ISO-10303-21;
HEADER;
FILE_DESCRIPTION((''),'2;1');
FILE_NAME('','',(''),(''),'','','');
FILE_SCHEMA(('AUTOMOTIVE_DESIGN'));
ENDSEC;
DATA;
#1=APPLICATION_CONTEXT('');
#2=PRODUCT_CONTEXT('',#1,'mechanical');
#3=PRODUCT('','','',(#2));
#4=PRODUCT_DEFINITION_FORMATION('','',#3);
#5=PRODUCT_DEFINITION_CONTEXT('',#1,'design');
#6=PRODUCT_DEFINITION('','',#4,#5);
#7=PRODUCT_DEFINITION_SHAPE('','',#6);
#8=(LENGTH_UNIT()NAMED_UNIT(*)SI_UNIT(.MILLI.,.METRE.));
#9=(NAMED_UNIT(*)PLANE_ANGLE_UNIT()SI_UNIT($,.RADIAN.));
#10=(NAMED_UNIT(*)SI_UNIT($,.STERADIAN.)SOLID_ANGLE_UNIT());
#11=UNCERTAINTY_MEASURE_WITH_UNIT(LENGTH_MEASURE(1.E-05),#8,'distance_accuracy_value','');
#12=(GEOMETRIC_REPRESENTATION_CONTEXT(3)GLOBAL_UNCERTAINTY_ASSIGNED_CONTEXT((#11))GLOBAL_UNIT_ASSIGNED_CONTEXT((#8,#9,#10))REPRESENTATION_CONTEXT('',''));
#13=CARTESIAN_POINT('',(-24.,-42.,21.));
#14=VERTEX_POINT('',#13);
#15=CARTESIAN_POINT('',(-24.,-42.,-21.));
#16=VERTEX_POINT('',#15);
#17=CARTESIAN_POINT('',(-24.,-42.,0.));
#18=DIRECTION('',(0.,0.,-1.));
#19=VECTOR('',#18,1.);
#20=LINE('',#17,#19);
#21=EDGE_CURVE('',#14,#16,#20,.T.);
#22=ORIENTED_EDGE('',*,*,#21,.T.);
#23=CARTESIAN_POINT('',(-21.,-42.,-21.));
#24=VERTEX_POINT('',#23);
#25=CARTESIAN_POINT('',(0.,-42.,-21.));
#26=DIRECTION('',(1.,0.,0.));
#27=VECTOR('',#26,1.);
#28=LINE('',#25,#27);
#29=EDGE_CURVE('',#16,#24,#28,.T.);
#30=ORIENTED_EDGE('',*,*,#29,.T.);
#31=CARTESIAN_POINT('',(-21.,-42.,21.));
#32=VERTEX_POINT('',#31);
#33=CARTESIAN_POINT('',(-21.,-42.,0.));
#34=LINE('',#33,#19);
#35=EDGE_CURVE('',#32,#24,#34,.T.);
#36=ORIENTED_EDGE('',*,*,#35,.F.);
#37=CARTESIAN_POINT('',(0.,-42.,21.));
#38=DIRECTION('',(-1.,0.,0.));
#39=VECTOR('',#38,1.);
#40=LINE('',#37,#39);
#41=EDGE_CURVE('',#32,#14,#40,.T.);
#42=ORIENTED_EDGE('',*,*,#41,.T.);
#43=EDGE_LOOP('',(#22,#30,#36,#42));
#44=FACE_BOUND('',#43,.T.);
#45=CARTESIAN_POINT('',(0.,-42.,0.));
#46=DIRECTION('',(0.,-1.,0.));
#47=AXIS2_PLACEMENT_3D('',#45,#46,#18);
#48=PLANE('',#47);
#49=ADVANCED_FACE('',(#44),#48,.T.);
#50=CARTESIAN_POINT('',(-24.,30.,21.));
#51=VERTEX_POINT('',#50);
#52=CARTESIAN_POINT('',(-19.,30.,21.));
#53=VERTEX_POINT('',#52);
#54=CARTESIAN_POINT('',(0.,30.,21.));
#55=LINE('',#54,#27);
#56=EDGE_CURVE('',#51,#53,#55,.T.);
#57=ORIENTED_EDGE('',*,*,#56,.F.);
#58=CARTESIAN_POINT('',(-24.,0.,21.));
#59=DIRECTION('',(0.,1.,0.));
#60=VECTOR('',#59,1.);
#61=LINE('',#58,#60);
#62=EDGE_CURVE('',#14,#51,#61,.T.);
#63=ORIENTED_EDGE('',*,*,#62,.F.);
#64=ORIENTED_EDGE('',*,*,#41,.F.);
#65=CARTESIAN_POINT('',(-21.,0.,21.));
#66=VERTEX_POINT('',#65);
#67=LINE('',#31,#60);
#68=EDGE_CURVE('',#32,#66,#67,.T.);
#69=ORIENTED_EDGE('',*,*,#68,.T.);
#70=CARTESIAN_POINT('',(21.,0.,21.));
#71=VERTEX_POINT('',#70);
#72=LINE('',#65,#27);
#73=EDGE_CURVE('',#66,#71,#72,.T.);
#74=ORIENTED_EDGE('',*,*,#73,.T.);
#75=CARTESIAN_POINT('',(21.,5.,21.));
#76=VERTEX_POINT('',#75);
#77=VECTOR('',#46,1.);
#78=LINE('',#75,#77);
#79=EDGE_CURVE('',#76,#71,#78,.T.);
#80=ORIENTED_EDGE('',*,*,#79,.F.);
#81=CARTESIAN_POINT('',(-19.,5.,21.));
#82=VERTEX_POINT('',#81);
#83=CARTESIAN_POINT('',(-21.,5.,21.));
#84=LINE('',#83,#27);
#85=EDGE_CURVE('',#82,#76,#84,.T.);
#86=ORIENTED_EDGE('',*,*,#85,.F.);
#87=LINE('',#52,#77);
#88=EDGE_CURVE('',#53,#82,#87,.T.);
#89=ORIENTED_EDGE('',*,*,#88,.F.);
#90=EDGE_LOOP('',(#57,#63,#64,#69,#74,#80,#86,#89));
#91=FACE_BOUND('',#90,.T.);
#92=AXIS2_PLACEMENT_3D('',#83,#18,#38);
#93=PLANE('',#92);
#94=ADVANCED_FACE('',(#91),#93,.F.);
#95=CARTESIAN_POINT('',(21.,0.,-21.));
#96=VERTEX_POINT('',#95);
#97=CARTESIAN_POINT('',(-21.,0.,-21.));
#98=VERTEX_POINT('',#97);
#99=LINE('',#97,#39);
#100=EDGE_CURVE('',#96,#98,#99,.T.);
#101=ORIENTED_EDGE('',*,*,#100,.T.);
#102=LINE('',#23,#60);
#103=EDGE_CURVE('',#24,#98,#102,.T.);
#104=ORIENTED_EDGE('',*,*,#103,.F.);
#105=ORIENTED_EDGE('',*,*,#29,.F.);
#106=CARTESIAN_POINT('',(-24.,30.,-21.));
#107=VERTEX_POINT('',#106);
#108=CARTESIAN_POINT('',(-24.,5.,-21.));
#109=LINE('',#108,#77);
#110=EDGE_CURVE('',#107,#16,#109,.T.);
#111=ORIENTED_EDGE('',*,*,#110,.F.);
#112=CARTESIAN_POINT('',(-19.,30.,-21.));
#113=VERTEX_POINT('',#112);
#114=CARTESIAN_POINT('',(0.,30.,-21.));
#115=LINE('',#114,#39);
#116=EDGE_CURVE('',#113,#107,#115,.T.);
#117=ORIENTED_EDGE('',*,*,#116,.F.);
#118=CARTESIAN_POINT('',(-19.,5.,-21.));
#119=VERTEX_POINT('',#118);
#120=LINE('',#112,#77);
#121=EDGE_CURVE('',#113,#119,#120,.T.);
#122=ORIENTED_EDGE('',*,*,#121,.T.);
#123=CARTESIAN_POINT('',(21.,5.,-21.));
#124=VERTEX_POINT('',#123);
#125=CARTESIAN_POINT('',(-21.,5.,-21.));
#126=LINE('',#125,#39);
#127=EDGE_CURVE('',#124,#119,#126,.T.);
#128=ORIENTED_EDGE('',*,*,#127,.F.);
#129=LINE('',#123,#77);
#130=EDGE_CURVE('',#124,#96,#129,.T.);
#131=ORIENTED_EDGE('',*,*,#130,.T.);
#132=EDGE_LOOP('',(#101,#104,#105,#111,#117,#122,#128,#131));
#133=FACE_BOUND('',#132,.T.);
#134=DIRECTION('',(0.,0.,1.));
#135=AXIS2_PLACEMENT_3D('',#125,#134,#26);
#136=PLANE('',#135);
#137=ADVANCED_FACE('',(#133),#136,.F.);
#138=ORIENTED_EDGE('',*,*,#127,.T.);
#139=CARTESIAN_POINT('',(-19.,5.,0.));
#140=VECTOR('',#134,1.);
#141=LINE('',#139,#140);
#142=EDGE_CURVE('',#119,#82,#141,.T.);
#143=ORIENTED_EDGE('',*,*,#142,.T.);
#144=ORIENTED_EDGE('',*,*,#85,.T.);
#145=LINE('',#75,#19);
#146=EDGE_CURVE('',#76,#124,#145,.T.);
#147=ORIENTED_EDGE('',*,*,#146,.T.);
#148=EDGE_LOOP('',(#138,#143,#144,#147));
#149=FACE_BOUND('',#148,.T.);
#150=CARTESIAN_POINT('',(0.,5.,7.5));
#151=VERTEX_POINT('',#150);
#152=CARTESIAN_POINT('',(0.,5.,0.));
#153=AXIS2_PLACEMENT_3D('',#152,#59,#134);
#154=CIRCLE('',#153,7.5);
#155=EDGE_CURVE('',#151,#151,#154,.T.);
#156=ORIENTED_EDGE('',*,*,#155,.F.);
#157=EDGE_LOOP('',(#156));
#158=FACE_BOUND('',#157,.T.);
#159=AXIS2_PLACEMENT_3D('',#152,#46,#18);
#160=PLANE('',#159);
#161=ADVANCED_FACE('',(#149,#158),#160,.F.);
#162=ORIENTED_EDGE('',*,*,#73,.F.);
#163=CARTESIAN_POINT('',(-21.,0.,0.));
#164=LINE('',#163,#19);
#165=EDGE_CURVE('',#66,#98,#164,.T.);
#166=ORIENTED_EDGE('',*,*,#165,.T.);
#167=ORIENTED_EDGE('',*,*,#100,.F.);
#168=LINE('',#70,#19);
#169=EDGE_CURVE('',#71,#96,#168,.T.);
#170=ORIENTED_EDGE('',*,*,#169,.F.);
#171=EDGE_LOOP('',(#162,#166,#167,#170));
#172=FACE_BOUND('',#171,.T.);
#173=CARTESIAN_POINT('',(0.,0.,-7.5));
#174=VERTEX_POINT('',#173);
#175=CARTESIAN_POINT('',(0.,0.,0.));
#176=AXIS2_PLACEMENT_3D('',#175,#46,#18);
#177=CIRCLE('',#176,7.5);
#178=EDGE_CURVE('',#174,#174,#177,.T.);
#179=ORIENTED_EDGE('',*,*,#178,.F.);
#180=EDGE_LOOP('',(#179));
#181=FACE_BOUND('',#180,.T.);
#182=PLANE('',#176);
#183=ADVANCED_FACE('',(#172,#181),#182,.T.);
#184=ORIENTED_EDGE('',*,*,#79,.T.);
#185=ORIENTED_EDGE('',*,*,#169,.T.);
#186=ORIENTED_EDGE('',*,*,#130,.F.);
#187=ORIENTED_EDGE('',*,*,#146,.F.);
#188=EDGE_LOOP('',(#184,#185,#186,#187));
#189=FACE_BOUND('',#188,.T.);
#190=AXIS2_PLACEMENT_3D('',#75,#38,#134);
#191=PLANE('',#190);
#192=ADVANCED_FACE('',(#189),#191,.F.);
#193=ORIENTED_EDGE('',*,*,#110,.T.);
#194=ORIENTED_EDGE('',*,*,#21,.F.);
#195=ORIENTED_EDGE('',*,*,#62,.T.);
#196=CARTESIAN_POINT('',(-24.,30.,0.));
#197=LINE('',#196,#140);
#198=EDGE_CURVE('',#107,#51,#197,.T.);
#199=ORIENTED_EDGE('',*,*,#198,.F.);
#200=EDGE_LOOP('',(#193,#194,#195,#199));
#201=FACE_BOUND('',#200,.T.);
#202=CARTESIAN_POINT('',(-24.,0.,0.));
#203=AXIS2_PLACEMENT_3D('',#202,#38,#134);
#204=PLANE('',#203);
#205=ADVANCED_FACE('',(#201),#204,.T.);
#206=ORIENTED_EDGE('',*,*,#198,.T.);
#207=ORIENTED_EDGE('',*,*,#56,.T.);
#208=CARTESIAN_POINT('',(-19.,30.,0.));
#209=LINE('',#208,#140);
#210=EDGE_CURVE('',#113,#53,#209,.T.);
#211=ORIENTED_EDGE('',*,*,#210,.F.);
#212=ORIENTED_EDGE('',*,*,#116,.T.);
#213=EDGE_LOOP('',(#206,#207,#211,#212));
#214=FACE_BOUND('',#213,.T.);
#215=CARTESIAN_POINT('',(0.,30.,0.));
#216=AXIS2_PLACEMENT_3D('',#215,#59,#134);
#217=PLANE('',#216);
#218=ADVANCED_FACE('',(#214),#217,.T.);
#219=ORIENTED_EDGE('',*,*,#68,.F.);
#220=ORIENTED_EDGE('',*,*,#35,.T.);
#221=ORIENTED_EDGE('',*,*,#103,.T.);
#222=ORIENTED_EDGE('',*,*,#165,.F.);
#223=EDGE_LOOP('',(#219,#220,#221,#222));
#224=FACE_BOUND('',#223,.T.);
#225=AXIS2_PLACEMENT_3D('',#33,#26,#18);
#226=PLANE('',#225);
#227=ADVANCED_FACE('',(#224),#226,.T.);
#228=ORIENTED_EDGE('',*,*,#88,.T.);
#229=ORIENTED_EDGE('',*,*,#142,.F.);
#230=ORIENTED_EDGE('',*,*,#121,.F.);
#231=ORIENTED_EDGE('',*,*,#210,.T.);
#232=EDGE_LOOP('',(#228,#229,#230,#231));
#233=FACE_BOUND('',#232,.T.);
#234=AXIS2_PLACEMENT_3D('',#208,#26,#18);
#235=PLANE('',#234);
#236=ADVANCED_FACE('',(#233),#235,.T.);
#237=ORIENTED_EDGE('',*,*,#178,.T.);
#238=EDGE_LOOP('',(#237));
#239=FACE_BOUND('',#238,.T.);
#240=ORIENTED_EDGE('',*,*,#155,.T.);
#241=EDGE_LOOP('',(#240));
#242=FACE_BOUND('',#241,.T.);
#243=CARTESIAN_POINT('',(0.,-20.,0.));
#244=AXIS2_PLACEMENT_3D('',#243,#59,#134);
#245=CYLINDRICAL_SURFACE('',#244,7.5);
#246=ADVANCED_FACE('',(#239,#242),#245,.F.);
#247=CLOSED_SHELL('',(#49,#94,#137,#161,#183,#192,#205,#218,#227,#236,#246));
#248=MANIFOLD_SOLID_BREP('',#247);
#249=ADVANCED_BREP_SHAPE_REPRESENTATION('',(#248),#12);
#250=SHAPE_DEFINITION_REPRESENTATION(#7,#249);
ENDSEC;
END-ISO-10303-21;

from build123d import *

# Parameters (mm, degrees)
SKETCH_1_W          = 42
SKETCH_1_H          = 42
EXTRUDE_1_DEPTH     = 5
SKETCH_2_W          = 42
SKETCH_2_H          = 5
EXTRUDE_2_DEPTH     = 3
SKETCH_4_W          = 5
SKETCH_4_H          = 42
EXTRUDE_3_DEPTH     = 25
SKETCH_5_W          = 3
SKETCH_5_H          = 42
EXTRUDE_4_DEPTH     = 42
SKETCH_8_R          = 7.5
CUT_EXTRUDE_1_DEPTH = 25


with BuildPart() as part:
    # 草图1 → 凸台-拉伸1 (new body)
    with BuildSketch(Plane(origin=(0, 0, 0), x_dir=(1, 0, 0), z_dir=(0, 1, 0))):
        Rectangle(SKETCH_1_W, SKETCH_1_H)
    extrude(amount=EXTRUDE_1_DEPTH)

    # 草图2 → 凸台-拉伸2 (add)
    with BuildSketch(Plane.ZY.offset(21)):
        with Locations((0, 2.5)):
            Rectangle(SKETCH_2_W, SKETCH_2_H)
    extrude(amount=EXTRUDE_2_DEPTH)

    # 草图4 → 凸台-拉伸3 (add)
    with BuildSketch(Plane(origin=(0, 5, 0), x_dir=(1, 0, 0), z_dir=(0, 1, 0))):
        with Locations((-21.5, 0)):
            Rectangle(SKETCH_4_W, SKETCH_4_H)
    extrude(amount=EXTRUDE_3_DEPTH)

    # 草图5 → 凸台-拉伸4 (add)
    with BuildSketch(Plane.XZ):
        with Locations((-22.5, 0)):
            Rectangle(SKETCH_5_W, SKETCH_5_H)
    extrude(amount=EXTRUDE_4_DEPTH)

    # 草图8 → 切除-拉伸1 (cut)
    with BuildSketch(Plane(origin=(0, 5, 0), x_dir=(1, 0, 0), z_dir=(0, 1, 0))):
        with Locations(Location((0, 0, 0), (0, 0, 270))):
            Circle(SKETCH_8_R)
    extrude(amount=-CUT_EXTRUDE_1_DEPTH, mode=Mode.SUBTRACT)


solid = part.part
